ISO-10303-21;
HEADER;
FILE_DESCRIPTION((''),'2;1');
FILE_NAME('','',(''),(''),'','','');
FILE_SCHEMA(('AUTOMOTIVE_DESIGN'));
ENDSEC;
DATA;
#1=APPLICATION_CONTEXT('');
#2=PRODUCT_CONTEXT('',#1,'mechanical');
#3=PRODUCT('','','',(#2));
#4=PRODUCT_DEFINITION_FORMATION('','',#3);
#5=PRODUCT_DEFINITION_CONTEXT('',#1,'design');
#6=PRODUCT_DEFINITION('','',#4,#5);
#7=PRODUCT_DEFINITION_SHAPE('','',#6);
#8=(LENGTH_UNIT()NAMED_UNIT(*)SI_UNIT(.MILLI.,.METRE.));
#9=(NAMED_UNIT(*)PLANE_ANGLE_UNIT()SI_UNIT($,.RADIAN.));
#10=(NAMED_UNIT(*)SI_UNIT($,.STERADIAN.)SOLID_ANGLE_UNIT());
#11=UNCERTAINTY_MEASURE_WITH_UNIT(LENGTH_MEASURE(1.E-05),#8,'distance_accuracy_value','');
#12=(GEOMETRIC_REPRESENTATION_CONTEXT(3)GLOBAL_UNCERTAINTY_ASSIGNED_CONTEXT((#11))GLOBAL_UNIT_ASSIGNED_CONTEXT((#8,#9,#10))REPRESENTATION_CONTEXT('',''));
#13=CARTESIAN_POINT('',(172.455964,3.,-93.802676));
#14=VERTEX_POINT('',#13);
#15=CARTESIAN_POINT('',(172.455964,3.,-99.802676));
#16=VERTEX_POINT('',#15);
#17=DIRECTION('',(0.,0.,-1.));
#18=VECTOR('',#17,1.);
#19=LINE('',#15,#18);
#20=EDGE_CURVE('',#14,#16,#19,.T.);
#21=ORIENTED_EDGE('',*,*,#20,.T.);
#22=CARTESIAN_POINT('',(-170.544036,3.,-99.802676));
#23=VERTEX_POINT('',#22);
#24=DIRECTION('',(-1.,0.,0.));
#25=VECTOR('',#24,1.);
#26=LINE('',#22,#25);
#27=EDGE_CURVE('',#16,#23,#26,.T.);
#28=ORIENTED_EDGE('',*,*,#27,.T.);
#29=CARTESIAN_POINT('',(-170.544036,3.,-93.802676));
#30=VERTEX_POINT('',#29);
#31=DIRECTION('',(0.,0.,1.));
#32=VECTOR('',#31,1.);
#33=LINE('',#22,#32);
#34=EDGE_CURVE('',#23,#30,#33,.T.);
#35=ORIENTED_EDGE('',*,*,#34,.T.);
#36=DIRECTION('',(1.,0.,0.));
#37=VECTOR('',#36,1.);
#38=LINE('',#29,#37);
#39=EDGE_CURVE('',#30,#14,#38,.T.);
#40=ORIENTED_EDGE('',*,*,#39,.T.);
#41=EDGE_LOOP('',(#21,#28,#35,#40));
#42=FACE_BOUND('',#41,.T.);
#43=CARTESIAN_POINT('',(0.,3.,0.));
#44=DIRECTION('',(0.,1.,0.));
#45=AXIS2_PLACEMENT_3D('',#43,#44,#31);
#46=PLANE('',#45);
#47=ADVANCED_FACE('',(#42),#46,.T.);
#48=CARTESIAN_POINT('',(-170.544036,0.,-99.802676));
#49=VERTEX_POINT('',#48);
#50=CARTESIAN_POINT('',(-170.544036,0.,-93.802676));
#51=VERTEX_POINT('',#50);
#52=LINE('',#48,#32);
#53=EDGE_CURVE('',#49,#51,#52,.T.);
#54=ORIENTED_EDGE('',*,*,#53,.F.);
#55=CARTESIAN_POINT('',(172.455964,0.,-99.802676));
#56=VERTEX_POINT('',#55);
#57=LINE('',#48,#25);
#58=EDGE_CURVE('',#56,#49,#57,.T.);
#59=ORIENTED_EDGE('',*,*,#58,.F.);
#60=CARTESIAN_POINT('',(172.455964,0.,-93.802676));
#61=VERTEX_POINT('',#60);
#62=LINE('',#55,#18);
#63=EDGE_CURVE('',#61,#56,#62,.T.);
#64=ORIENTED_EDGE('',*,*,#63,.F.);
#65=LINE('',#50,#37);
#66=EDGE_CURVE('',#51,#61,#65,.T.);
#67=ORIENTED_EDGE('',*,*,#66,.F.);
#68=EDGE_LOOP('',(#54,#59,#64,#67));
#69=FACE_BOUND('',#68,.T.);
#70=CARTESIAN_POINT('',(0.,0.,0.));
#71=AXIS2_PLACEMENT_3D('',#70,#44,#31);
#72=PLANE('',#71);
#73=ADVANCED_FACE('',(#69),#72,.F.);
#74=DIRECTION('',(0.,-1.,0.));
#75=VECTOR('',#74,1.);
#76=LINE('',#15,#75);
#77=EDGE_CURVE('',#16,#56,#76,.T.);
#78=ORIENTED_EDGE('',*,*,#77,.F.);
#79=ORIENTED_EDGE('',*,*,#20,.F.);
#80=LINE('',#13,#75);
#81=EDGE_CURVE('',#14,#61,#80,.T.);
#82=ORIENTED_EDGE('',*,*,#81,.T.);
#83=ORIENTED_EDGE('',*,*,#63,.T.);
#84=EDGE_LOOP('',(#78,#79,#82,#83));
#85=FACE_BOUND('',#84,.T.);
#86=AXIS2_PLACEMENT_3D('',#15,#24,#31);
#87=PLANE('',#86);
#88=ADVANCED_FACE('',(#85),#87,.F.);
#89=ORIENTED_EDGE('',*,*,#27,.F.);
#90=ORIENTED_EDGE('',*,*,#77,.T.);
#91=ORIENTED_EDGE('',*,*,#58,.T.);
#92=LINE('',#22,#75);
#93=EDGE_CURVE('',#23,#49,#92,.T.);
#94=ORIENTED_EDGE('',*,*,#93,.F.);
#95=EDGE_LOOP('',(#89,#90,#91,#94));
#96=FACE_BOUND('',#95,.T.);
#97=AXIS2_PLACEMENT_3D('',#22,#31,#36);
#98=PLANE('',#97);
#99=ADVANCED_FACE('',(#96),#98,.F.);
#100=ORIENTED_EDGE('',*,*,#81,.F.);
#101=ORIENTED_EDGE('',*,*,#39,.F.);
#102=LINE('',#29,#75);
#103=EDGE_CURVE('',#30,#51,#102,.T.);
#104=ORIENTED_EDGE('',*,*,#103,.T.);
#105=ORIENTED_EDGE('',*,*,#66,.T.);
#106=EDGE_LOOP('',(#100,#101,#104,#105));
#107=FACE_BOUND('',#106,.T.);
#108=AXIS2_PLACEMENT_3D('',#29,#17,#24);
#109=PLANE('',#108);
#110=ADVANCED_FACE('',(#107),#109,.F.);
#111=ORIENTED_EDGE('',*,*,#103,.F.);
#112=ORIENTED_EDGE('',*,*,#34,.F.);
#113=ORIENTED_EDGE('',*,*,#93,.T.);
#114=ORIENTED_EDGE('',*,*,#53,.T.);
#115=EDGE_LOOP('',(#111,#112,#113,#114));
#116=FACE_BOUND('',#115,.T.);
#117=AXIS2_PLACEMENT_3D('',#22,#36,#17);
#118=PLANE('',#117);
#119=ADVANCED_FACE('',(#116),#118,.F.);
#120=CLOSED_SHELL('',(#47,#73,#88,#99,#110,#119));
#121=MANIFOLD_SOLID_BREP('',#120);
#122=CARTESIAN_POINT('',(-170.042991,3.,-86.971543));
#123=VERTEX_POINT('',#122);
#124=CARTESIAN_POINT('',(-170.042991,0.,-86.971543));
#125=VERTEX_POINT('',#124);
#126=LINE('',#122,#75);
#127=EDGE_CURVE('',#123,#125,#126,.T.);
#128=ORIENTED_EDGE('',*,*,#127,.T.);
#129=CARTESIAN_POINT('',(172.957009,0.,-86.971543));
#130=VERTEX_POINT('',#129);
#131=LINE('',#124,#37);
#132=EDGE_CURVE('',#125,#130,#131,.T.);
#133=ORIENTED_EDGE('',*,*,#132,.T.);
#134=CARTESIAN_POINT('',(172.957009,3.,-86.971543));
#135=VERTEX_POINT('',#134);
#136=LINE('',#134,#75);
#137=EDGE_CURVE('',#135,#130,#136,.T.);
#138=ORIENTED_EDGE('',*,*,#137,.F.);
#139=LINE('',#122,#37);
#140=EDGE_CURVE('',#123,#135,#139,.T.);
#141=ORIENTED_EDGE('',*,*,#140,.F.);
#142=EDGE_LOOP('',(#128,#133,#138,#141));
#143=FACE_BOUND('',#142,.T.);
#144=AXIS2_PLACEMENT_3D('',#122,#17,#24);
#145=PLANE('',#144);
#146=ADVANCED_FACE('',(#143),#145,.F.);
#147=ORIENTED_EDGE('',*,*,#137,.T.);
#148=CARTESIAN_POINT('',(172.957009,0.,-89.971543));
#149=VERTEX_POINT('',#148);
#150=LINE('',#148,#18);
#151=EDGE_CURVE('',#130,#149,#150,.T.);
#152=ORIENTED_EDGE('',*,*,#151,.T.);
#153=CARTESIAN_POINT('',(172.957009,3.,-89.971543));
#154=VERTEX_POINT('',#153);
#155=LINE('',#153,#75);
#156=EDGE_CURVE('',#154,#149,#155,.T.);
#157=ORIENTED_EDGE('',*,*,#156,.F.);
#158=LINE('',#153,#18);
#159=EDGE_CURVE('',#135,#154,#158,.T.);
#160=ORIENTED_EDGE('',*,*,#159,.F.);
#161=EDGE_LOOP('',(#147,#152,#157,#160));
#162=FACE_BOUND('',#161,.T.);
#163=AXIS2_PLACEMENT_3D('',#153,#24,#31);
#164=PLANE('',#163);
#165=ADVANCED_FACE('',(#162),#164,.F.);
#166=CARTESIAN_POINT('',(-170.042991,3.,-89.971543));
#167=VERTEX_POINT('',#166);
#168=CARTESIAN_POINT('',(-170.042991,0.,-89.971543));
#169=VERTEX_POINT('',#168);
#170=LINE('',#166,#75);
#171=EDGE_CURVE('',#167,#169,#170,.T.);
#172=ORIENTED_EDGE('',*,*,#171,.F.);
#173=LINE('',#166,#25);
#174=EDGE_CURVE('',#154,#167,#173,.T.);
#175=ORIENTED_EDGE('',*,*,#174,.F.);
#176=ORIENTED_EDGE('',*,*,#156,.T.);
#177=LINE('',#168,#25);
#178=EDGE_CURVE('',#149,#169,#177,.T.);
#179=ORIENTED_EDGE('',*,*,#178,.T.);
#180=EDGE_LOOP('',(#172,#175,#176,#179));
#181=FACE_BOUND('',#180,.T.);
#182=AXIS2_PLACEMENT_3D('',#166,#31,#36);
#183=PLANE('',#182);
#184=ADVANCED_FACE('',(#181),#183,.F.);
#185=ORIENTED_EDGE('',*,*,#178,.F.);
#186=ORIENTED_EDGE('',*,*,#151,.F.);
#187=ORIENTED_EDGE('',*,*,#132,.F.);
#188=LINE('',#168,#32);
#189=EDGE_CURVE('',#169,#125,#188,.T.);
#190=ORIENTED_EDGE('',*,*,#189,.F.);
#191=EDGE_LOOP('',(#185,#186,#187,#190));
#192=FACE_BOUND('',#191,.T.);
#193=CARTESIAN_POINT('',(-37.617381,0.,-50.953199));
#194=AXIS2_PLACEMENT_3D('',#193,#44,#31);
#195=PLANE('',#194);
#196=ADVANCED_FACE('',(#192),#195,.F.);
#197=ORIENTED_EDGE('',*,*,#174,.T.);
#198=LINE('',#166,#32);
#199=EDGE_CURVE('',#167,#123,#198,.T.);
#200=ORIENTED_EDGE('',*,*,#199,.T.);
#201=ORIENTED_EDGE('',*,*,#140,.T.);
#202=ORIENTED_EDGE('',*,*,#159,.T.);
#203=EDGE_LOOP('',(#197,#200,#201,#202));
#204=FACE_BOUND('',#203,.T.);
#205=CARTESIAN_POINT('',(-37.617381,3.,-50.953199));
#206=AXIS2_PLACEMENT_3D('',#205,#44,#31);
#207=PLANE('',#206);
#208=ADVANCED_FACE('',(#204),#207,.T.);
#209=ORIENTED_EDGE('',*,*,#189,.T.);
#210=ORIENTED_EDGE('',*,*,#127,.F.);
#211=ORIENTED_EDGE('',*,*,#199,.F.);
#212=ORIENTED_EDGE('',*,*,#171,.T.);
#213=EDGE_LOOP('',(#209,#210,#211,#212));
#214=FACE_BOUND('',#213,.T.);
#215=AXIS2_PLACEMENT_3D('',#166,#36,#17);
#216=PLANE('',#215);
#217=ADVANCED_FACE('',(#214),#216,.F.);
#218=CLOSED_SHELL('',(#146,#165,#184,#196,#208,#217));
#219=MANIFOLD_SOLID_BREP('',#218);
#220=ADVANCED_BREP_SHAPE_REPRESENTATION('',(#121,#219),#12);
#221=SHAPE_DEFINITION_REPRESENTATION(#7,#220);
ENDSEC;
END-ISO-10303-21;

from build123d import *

# Parameters (mm, degrees)
SKETCH1_W           = 343
SKETCH1_H           = 6
BOSS_EXTRUDE1_DEPTH = 3
SKETCH2_W           = 343
SKETCH2_H           = 3
BOSS_EXTRUDE2_DEPTH = 3


with BuildPart() as part:
    # Sketch1 → Boss-Extrude1 (new body)
    with BuildSketch(Plane(origin=(0, 0, 0), x_dir=(1, 0, 0), z_dir=(0, 1, 0))):
        with Locations((0.955964326, 96.802675585)):
            Rectangle(SKETCH1_W, SKETCH1_H)
    extrude(amount=BOSS_EXTRUDE1_DEPTH)


with BuildPart() as body_2:
    # Sketch2 → Boss-Extrude2 (new body)
    with BuildSketch(Plane(origin=(0, 0, 0), x_dir=(1, 0, 0), z_dir=(0, 1, 0))):
        with Locations((39.074390418, 37.5183443)):
            Rectangle(SKETCH2_W, SKETCH2_H)
    extrude(amount=BOSS_EXTRUDE2_DEPTH)


with BuildPart() as body_2_1:
    # Body-Move/Copy1: moved
    add(body_2.part.moved(Location((-37.617381319, 0, -50.953198615))))


solid = Compound([part.part, body_2_1.part])
